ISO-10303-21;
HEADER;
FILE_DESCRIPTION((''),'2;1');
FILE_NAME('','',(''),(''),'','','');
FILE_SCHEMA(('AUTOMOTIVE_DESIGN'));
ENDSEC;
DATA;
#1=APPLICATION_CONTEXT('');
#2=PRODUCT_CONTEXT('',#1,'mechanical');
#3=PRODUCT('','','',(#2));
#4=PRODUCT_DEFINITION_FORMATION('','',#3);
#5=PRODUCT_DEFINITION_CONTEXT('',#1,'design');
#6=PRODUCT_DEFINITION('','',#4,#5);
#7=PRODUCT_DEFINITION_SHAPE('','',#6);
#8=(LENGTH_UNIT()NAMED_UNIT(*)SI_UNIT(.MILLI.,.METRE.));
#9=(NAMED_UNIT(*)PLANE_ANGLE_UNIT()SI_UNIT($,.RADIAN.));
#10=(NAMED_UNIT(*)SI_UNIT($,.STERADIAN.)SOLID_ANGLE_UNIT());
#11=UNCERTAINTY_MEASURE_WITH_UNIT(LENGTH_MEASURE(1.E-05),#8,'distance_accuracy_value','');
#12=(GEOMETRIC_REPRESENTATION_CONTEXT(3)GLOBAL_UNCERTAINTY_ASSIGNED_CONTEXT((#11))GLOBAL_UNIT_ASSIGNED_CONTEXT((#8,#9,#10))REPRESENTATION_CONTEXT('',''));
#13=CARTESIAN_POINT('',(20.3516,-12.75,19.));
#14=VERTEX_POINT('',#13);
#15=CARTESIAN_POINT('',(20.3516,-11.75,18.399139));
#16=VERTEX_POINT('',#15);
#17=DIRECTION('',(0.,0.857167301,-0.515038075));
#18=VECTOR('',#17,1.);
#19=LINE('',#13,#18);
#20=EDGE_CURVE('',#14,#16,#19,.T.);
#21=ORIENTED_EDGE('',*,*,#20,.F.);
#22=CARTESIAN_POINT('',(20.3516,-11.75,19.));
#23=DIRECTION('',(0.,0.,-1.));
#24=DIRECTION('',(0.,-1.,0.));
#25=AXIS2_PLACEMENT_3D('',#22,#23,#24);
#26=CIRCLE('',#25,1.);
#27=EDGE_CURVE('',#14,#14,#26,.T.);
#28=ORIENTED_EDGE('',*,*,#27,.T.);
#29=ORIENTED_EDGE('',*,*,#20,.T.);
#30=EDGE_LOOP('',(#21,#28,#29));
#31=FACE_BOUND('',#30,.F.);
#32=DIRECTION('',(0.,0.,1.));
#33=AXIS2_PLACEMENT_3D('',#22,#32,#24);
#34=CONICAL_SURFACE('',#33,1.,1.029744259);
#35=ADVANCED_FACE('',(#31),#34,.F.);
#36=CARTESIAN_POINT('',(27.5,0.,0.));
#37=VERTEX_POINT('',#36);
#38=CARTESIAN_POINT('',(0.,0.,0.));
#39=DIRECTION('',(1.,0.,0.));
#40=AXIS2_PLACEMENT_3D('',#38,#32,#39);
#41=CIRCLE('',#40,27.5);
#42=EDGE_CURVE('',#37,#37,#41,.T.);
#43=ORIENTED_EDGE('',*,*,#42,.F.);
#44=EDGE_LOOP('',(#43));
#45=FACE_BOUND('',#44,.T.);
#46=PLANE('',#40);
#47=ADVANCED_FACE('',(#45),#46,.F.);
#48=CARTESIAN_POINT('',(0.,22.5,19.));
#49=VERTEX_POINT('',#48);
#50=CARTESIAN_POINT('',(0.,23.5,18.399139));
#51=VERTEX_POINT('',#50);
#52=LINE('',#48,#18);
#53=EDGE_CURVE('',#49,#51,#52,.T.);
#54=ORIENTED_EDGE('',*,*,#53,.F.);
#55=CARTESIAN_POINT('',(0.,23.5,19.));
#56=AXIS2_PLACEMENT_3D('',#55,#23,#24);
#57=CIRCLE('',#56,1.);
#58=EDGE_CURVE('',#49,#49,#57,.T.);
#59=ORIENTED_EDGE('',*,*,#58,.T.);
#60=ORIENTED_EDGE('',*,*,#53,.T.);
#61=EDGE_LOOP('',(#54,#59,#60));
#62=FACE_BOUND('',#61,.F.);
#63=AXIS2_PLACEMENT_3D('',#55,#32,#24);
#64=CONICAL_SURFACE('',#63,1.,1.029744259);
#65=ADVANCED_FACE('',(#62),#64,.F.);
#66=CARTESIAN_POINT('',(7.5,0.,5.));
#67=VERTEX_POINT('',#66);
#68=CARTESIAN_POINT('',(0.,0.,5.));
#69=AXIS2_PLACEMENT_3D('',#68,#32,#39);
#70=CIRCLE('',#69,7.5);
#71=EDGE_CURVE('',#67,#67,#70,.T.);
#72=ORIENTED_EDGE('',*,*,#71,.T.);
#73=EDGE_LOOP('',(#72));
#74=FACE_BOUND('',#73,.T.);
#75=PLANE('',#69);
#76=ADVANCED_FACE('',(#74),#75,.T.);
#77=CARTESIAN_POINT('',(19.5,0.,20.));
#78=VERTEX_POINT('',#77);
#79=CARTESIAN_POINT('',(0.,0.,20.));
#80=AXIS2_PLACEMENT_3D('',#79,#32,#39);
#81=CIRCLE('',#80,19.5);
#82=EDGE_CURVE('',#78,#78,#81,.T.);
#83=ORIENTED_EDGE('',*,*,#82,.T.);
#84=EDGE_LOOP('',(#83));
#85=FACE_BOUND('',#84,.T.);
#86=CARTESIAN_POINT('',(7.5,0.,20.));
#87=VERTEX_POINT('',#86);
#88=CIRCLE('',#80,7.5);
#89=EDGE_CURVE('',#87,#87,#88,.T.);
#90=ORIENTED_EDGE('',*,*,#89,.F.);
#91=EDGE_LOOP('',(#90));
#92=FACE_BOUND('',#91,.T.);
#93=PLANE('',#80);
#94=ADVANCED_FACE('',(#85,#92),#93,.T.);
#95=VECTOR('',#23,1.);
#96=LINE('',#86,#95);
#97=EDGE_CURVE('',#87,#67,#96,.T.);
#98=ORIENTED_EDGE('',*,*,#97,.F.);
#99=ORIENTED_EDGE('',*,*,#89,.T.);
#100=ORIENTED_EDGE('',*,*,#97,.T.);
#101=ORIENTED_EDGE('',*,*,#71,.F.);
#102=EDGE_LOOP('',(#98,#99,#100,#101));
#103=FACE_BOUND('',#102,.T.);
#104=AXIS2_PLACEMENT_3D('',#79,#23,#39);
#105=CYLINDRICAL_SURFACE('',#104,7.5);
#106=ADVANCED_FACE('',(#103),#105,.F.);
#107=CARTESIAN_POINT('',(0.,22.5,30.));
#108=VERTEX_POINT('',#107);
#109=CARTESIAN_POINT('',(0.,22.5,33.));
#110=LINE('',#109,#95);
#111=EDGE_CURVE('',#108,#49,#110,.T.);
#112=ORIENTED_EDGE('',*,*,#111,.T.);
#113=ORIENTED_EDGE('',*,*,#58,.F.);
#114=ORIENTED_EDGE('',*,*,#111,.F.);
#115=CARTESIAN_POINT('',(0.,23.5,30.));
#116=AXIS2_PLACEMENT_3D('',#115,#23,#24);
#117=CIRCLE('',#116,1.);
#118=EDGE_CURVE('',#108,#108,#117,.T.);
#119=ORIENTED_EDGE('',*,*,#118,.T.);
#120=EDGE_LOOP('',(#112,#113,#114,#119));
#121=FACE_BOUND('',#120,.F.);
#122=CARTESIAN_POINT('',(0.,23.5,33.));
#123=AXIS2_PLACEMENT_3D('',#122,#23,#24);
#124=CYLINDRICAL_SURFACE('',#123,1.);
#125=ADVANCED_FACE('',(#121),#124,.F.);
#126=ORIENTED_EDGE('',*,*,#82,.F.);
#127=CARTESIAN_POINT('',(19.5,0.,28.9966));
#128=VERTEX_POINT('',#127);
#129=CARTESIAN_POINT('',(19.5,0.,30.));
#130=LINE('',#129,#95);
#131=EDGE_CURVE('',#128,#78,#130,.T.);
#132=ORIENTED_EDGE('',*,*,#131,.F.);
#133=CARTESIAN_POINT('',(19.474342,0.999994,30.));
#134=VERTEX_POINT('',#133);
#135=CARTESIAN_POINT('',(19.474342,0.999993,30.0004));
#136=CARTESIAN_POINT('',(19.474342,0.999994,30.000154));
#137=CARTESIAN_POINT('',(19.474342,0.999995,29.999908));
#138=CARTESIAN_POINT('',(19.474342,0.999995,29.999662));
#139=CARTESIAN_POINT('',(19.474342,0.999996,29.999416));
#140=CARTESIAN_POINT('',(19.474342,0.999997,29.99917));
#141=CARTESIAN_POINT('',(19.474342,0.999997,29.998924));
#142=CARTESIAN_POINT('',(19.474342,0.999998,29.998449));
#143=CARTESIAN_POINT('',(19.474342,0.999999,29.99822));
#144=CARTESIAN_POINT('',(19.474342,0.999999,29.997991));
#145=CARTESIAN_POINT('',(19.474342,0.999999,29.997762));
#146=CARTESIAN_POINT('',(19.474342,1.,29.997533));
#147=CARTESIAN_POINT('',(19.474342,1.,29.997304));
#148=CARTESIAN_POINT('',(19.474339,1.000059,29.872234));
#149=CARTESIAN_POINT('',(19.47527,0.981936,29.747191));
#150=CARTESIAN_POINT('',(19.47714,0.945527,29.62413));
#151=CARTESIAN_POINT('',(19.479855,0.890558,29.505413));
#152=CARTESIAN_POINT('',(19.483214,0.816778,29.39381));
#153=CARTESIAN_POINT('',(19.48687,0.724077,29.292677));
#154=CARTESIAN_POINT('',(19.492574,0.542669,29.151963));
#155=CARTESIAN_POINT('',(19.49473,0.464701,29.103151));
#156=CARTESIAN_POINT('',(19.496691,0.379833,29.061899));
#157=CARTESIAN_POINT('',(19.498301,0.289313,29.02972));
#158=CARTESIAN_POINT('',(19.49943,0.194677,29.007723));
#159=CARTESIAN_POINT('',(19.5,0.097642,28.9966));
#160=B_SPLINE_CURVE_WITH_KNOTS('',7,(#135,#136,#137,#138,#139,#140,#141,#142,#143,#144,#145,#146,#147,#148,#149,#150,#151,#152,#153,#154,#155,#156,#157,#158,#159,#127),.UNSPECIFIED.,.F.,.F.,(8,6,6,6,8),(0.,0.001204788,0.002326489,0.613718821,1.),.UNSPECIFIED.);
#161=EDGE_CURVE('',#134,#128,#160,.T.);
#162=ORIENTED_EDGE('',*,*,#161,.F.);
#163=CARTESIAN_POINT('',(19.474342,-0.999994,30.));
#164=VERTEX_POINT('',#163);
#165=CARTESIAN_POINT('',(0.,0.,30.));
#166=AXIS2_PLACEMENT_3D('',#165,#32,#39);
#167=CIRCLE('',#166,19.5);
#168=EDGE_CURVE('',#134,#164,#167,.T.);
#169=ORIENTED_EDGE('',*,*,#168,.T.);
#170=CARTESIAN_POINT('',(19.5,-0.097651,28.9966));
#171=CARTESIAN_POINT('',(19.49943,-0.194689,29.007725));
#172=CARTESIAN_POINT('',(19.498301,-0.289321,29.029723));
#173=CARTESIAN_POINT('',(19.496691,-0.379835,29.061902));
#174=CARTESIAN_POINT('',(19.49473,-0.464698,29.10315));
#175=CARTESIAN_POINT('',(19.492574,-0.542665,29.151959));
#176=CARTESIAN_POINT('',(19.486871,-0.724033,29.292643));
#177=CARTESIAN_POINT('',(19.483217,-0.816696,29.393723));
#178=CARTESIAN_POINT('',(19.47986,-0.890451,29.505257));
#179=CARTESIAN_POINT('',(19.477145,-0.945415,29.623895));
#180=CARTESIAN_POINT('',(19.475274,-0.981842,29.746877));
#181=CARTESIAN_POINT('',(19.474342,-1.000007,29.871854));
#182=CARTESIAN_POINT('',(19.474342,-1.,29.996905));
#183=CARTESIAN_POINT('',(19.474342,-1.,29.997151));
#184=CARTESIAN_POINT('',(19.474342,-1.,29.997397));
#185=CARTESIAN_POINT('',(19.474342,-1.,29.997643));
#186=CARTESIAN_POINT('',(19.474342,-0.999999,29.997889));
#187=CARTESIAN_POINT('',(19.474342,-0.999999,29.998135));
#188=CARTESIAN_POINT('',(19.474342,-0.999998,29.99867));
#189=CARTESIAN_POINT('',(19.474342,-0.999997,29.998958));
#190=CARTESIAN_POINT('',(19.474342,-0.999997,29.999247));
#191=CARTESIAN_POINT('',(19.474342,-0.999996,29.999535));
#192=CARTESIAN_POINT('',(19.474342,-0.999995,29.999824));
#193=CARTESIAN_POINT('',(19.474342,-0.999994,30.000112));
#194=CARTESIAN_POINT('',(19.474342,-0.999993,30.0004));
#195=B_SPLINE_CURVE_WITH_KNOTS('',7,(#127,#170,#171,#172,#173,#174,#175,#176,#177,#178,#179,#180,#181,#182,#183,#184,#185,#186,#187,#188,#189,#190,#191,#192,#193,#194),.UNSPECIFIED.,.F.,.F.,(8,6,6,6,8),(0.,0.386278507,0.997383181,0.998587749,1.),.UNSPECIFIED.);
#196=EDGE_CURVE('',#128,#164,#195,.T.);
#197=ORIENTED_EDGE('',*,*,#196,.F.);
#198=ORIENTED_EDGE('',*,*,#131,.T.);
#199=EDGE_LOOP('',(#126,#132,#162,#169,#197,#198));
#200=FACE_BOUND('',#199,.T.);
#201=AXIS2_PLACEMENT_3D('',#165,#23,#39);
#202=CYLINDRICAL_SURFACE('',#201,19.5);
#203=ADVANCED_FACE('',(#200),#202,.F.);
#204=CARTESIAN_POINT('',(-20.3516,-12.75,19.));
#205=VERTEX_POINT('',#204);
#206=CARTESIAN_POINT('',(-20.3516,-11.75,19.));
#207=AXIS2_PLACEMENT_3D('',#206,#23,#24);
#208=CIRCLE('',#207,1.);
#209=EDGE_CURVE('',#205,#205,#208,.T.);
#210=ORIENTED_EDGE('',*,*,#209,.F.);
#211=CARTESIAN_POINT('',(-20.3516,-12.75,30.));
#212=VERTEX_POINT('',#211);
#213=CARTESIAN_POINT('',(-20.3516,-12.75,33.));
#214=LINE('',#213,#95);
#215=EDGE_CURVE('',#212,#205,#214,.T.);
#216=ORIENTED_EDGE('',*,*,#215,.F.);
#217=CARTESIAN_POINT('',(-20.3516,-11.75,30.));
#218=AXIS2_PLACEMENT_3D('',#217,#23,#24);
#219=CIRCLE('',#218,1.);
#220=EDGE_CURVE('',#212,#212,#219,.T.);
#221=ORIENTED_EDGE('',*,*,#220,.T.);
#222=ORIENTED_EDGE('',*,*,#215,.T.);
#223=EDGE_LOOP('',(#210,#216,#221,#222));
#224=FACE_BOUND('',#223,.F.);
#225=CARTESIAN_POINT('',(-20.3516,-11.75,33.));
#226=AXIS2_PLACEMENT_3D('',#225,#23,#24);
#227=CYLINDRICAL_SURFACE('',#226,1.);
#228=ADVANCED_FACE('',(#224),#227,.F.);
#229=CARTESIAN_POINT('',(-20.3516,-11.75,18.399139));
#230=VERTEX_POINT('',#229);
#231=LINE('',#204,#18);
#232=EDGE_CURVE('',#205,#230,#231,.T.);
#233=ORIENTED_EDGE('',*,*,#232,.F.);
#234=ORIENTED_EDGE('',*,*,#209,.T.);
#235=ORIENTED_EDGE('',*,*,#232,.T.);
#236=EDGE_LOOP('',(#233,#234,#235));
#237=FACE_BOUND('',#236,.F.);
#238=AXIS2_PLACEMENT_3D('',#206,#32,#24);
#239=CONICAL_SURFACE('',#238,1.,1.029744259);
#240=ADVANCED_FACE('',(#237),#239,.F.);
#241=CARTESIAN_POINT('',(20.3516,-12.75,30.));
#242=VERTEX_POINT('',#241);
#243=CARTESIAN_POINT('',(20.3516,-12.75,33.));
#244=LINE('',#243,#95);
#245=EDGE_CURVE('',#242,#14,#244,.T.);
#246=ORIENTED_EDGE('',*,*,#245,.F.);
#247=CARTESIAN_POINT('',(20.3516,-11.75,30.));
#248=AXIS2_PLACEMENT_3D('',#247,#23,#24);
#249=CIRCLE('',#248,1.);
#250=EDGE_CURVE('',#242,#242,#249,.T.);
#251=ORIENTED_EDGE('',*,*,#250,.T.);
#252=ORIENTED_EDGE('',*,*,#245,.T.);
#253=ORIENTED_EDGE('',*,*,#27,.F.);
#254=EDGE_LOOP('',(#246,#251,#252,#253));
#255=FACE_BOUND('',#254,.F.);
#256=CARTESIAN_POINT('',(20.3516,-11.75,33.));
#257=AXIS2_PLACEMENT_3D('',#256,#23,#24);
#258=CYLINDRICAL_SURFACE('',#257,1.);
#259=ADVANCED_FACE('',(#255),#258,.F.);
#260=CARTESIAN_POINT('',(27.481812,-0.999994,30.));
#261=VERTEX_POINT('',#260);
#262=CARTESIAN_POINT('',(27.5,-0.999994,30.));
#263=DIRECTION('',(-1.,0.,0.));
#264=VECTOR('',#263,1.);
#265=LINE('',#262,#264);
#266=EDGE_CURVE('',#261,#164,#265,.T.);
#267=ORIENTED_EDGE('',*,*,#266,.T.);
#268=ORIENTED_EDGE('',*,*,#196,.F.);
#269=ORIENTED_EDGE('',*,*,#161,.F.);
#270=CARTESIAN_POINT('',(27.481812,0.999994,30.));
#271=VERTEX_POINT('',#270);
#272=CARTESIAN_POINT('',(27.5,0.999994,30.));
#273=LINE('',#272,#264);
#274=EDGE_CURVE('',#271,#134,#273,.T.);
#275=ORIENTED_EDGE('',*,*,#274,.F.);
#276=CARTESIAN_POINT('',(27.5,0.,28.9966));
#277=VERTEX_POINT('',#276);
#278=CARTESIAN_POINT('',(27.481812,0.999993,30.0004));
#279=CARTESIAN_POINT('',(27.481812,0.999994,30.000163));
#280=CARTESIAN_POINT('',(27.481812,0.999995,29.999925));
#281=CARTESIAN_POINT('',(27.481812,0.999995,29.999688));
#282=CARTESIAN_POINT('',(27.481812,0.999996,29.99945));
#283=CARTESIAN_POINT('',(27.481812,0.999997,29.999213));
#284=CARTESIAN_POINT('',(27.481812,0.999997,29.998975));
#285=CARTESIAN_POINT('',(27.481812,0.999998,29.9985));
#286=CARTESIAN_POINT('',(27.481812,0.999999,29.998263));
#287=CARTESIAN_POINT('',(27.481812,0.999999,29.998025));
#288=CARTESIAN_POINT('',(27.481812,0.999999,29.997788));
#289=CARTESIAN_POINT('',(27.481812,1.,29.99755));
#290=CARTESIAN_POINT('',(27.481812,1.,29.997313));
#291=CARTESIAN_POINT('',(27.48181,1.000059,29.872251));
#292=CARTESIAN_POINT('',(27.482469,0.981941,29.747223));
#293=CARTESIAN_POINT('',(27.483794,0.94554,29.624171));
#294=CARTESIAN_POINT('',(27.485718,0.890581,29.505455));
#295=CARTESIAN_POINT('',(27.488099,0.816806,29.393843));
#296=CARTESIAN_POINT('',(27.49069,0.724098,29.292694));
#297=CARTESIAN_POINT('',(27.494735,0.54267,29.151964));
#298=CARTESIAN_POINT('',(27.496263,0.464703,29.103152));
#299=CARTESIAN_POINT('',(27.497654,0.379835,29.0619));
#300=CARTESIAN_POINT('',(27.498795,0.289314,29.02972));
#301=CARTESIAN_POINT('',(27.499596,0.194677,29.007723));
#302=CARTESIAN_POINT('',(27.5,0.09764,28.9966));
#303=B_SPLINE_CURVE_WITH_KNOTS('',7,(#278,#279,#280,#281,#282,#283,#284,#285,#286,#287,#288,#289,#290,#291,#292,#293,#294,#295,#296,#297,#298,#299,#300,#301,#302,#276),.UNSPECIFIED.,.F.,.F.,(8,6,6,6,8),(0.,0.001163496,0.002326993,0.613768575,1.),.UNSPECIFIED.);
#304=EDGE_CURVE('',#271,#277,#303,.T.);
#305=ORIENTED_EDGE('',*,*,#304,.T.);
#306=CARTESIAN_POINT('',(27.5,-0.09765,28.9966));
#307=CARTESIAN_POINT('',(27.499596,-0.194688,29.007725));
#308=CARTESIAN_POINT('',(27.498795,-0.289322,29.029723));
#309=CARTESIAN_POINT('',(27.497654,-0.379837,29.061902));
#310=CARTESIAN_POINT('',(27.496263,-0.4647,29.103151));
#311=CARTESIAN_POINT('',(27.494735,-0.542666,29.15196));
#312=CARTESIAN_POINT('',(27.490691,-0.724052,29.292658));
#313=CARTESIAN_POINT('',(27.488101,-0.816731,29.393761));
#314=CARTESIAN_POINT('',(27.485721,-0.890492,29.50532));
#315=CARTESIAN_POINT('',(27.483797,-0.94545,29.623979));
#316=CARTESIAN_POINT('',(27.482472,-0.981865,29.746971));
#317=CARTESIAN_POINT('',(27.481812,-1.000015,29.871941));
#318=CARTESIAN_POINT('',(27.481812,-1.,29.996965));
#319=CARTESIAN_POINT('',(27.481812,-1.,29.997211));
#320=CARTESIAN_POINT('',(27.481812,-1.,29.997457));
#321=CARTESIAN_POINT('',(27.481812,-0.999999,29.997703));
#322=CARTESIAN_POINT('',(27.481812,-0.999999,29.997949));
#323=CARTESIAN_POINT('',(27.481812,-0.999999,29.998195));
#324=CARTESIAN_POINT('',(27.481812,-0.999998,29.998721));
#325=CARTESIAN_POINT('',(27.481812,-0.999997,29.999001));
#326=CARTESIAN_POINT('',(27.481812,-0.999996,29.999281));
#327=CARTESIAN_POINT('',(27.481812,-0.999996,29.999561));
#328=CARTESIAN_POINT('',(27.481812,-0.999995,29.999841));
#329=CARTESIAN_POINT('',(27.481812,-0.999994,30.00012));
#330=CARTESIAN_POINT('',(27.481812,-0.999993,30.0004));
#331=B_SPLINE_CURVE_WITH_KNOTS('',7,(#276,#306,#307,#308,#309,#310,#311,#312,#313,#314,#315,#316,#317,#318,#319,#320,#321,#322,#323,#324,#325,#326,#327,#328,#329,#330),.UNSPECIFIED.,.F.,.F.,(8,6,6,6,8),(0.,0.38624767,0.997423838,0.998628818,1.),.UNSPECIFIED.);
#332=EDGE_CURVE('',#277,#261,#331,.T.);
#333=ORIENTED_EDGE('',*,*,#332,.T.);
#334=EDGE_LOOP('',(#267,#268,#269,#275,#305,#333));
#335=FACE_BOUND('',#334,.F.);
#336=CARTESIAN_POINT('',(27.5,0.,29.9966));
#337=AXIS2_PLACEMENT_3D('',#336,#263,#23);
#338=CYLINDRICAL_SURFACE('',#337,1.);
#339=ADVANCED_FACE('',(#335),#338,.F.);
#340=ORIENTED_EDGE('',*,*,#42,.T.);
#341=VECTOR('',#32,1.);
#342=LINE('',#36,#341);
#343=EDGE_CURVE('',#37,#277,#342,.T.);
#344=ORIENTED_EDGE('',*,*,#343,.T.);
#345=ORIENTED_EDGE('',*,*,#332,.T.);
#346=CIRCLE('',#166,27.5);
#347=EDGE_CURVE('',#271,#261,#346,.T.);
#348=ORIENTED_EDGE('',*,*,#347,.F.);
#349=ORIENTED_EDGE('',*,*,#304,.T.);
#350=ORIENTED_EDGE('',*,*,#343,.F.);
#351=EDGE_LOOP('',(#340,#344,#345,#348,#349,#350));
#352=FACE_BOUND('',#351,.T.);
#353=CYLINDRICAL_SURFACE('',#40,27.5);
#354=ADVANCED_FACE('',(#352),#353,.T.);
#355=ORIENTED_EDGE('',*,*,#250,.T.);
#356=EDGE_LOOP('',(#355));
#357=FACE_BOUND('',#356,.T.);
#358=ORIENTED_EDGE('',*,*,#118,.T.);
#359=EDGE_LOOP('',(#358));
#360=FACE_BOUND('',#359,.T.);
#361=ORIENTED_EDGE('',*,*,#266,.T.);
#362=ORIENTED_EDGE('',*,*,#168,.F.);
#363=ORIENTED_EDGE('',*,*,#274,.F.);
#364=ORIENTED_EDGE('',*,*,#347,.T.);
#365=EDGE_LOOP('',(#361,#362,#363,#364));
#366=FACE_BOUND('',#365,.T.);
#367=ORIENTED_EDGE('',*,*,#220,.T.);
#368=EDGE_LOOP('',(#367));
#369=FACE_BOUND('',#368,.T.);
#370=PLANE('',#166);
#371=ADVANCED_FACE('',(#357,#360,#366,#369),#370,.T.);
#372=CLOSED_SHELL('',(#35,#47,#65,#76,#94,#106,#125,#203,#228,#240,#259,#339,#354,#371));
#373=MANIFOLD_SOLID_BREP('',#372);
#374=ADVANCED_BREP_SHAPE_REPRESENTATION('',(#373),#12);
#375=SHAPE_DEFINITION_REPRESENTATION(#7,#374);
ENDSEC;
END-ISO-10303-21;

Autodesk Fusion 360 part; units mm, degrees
sketch "Sketch1" plane through (0, 0, 0) normal (0, 1, 0) x (1, 0, 0)
  line L0 (0, 0) -> (27.5, 0)
  line L1 (27.5, 0) -> (27.5, -30)
  line L2 (27.5, -30) -> (19.5, -30)
  line L3 (19.5, -30) -> (19.5, -20)
  line L4 (19.5, -20) -> (7.5, -20)
  line L5 (7.5, -20) -> (7.5, -5)
  line L6 (7.5, -5) -> (0, -5)
  line L7 (0, -5) -> (0, 0)
  line L8 (19, -30) -> (19, -28)
  line L9 (19, -28) -> (7, -28)
  line L10 (7, -28) -> (7, -12)
  line L11 (7, -12) -> (0, -12)
  line L12 (0, -12) -> (0, -30)
  line L13 (0, -30) -> (19, -30)
  line L14 (27.5, -30) -> (18.2223, -30)
  line L15 (27.5, -35) -> (27.5, -30)
  line L16 (15.5, -35) -> (15.5, -32)
  line L17 (11, -30) -> (27.5, -30)
  line L18 (15.5, -35) -> (27.5, -35)
  line L19 (19.5, -30) -> (19.5, -32)
  line L20 (19.5, -32) -> (15.5, -32)
  dimension "d1" = 7.5
  dimension "d2" = 27.5
  dimension "d3" = 30
  dimension "d4" = 8
  dimension "d5" = 10
  dimension "d6" = 5
  dimension "d8" = 19
  dimension "d9" = 2
  dimension "d10" = 18
  dimension "d11" = 7
  dimension "d13" = 12
  dimension "d15" = 3
  dimension "d16" = 2
  dimension "d21" = 11
revolve "Revolve1" add sketch "Sketch1" angle 360 about axis through (0, 0, 1.75) along (0, 0, 1) contours L0 L1 L2 L3 L4 L5 L6 L7 L14 L17 makes body 1
revolve "Revolve2" add sketch "Sketch1" angle 360 about axis through (0, 0, 5) along (0, 0, -1) separate body contours L2 L14 L15 L16 L17 L18 L19 L20 makes body 2
revolve "Revolve3" add sketch "Sketch1" angle 360 about axis through (0, 0, 12) along (0, 0, 1) separate body contours L8 L9 L10 L11 L12 L13 L14 L17 makes body 3
chamfer "Chamfer1" distance 2 angle 45 1 edges at (-6.5263, -2.5313, 12) on bodies 3
chamfer "Chamfer2" distance 1 angle 45 1 edges at (-25.639, -9.9444, 35) on bodies 2
sketch "Sketch2" plane through (0, 0, 35) normal (0, 0, 1) x (-1, 0, 0)
  circle A0 centre (0, 0) radius 15.5
  circle A1 centre (0, 0) radius 26.5
  circle A2 centre (0, 0) radius 23.5 construction
  circle A3 centre (0, 0) radius 27.5
  line L0 (0, 0) -> (-19, 0)
  line L1 (0, 0) -> (0, -32) construction
  circle A4 centre (0, -23.5) radius 1
  circle A5 centre (20.3516, 11.75) radius 1
  circle A6 centre (-20.3516, 11.75) radius 1
  dimension "d22" = 2
  dimension "d24" = 360
  dimension "d30" = 50
  dimension "d31" = 32
  dimension "d32" = 47
hole "Hole1" at (-20.3516, -11.75, 35) at (0, 23.5, 35) at (20.3516, -11.75, 35) direction (0, 0, -1) diameter 2 depth 16 tip angle 118 countersink diameter 6 countersink angle 90 bodies 1 2 3
hole "Hole2" at (27.5, 0, 29.9966) direction (-1, 0, 0) diameter 2 depth 10 tip angle 118 bodies 1 2
component "Body" placed x (1, 0, 0) y (0, 1, 0) z (0, 0, 1) at (0, 0, 0)
component "Retaininer" placed x (1, 0, 0) y (0, 1, 0) z (0, 0, 1) at (0, 0, 0)
component "Plunger" placed x (1, 0, 0) y (0, 1, 0) z (0, 0, 1) at (0, 0, 0)
hidden bodies 2 3
equation "d1 = ( 15 / 2 ) * 1 mm"
equation "d2 = ( 55 / 2 ) * 1 mm"
equation "d8 = d2 - d4 - 0.5 mm"
equation "d10 = d3 - d5 - 2 mm"
equation "d11 = d1 - 0.5 mm"
equation "d13 = d4 + 4 mm"
equation "d32 = 55 mm - 8 mm"
